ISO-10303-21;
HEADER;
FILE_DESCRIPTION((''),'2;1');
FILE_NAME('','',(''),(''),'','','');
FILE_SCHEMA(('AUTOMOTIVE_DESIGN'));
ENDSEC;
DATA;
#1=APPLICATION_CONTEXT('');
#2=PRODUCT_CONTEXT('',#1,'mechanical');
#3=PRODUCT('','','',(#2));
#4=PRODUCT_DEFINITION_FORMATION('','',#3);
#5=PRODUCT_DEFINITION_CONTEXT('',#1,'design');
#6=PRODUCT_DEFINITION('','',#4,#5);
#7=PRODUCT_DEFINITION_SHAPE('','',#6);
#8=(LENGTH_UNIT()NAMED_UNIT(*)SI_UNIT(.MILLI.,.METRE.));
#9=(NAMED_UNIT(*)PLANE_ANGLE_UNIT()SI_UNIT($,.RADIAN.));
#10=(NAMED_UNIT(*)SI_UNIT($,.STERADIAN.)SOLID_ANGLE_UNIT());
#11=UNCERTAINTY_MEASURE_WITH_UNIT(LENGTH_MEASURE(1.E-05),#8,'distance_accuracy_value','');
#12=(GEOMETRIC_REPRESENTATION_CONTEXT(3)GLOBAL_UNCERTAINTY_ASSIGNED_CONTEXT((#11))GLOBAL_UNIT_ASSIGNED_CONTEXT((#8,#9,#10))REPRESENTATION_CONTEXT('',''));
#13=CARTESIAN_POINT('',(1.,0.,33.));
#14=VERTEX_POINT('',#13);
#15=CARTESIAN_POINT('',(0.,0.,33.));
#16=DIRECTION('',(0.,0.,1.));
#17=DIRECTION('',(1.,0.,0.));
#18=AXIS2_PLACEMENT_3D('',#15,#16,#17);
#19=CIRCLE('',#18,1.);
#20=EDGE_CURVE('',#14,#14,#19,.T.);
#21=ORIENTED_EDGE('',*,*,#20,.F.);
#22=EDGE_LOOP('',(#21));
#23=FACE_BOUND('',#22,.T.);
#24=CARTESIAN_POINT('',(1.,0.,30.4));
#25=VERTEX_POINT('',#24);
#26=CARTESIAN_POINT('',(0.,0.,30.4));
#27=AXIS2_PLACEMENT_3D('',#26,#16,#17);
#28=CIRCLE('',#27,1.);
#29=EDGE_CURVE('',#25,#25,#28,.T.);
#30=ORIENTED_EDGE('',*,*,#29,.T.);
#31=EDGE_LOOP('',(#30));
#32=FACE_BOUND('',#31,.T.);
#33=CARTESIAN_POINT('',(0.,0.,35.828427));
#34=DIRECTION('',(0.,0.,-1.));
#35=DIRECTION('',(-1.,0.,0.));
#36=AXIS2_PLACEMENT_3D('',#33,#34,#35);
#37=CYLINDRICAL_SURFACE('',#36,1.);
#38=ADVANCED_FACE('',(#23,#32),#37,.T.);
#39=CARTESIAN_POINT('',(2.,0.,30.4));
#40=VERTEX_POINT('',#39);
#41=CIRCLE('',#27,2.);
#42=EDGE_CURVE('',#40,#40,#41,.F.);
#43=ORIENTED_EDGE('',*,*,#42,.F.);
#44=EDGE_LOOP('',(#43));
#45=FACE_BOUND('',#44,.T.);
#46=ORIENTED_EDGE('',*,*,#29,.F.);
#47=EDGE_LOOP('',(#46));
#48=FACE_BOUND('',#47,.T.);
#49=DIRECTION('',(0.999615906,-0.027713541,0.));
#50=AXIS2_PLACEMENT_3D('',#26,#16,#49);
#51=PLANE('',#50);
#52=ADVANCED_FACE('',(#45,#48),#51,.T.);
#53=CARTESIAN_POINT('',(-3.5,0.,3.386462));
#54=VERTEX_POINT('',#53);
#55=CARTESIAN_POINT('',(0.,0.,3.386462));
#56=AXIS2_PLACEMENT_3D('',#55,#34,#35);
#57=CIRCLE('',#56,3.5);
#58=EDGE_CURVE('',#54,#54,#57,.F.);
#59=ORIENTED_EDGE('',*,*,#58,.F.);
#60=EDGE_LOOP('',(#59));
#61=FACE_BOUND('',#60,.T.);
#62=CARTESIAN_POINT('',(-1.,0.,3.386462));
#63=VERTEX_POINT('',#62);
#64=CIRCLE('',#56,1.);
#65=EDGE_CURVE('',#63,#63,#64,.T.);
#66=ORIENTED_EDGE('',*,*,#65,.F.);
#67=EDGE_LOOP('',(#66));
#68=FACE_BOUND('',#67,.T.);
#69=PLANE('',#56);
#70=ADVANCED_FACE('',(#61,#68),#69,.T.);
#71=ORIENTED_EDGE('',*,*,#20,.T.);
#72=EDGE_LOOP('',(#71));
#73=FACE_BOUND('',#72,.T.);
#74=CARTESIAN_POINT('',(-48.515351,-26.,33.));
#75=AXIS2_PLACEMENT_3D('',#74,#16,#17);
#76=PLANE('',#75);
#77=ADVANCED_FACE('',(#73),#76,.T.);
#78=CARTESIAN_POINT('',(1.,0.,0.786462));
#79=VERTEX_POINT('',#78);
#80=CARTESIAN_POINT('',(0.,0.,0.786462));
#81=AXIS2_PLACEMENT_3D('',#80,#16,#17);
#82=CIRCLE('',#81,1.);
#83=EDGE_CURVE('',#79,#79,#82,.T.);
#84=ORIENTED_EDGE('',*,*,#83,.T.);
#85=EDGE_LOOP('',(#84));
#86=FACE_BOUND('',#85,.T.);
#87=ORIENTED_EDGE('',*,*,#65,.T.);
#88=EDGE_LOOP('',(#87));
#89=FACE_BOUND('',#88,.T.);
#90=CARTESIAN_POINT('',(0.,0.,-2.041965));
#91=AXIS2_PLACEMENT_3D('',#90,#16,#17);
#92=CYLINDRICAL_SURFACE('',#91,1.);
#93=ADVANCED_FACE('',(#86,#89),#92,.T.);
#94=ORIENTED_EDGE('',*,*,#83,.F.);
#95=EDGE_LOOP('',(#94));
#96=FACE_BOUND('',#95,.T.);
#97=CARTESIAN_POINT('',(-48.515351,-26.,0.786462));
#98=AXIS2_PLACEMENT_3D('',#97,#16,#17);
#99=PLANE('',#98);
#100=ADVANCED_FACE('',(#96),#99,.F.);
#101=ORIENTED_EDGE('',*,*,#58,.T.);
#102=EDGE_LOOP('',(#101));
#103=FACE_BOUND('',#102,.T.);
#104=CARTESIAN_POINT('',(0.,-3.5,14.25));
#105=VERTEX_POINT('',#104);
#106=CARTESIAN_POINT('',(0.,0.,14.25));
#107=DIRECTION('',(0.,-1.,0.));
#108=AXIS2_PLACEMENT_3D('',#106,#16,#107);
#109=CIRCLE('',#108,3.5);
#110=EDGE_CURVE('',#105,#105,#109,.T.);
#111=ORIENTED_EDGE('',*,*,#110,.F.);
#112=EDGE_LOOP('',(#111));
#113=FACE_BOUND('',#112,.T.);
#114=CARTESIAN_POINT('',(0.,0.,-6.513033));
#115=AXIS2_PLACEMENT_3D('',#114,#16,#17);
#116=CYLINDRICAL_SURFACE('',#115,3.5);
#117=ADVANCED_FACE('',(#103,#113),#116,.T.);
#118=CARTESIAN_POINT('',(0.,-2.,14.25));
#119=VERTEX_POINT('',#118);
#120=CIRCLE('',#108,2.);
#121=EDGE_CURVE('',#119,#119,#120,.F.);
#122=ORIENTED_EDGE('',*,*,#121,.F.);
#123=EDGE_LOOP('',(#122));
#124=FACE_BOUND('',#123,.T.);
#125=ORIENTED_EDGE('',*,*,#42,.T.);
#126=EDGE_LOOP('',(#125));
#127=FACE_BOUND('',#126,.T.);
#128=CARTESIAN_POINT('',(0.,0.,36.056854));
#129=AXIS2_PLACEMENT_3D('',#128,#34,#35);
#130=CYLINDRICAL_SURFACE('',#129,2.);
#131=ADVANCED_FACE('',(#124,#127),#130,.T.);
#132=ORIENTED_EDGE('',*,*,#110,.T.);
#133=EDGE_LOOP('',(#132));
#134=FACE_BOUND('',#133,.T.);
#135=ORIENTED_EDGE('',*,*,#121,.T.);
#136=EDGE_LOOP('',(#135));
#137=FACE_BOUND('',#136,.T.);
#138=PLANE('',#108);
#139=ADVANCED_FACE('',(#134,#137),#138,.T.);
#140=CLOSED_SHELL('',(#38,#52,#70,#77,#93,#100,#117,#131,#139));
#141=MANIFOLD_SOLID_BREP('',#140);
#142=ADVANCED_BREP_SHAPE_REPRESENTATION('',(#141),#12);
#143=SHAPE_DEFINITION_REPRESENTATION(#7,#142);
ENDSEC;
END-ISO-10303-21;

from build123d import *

# Parameters (mm, degrees)
EXTRUDE_START   = 3.386462
SKETCH_1_R      = 2
EXTRUDE_1_DEPTH = 27.013538
SKETCH_2_R      = 1
EXTRUDE_2_DEPTH = 2.6
SKETCH_4_R      = 1
EXTRUDE_3_DEPTH = 2.6
EXTRUDE_START_2 = -10.863538
SKETCH_6_R      = 3.5
EXTRUDE_5_DEPTH = 10.863538


with BuildPart() as part:
    # Эскиз1 → Бобышка-Вытянуть1 (new body)
    with BuildSketch(Plane.XY.offset(EXTRUDE_START)):
        Circle(SKETCH_1_R)
    extrude(amount=EXTRUDE_1_DEPTH)

    # Эскиз2 → Бобышка-Вытянуть2 (add)
    with BuildSketch(Plane.XY.offset(30.4)):
        Circle(SKETCH_2_R)
    extrude(amount=EXTRUDE_2_DEPTH)

    # Эскиз4 → Бобышка-Вытянуть3 (add)
    with BuildSketch(Plane(origin=(0, 0, 3.386462289), x_dir=(-1, 0, 0), z_dir=(0, 0, -1))):
        Circle(SKETCH_4_R)
    extrude(amount=EXTRUDE_3_DEPTH)

    # Эскиз6 → Бобышка-Вытянуть5 (add)
    with BuildSketch(Plane(origin=(0, 0, 3.386462289), x_dir=(-1, 0, 0), z_dir=(0, 0, -1)).offset(EXTRUDE_START_2)):
        Circle(SKETCH_6_R)
    extrude(amount=EXTRUDE_5_DEPTH)


solid = part.part
